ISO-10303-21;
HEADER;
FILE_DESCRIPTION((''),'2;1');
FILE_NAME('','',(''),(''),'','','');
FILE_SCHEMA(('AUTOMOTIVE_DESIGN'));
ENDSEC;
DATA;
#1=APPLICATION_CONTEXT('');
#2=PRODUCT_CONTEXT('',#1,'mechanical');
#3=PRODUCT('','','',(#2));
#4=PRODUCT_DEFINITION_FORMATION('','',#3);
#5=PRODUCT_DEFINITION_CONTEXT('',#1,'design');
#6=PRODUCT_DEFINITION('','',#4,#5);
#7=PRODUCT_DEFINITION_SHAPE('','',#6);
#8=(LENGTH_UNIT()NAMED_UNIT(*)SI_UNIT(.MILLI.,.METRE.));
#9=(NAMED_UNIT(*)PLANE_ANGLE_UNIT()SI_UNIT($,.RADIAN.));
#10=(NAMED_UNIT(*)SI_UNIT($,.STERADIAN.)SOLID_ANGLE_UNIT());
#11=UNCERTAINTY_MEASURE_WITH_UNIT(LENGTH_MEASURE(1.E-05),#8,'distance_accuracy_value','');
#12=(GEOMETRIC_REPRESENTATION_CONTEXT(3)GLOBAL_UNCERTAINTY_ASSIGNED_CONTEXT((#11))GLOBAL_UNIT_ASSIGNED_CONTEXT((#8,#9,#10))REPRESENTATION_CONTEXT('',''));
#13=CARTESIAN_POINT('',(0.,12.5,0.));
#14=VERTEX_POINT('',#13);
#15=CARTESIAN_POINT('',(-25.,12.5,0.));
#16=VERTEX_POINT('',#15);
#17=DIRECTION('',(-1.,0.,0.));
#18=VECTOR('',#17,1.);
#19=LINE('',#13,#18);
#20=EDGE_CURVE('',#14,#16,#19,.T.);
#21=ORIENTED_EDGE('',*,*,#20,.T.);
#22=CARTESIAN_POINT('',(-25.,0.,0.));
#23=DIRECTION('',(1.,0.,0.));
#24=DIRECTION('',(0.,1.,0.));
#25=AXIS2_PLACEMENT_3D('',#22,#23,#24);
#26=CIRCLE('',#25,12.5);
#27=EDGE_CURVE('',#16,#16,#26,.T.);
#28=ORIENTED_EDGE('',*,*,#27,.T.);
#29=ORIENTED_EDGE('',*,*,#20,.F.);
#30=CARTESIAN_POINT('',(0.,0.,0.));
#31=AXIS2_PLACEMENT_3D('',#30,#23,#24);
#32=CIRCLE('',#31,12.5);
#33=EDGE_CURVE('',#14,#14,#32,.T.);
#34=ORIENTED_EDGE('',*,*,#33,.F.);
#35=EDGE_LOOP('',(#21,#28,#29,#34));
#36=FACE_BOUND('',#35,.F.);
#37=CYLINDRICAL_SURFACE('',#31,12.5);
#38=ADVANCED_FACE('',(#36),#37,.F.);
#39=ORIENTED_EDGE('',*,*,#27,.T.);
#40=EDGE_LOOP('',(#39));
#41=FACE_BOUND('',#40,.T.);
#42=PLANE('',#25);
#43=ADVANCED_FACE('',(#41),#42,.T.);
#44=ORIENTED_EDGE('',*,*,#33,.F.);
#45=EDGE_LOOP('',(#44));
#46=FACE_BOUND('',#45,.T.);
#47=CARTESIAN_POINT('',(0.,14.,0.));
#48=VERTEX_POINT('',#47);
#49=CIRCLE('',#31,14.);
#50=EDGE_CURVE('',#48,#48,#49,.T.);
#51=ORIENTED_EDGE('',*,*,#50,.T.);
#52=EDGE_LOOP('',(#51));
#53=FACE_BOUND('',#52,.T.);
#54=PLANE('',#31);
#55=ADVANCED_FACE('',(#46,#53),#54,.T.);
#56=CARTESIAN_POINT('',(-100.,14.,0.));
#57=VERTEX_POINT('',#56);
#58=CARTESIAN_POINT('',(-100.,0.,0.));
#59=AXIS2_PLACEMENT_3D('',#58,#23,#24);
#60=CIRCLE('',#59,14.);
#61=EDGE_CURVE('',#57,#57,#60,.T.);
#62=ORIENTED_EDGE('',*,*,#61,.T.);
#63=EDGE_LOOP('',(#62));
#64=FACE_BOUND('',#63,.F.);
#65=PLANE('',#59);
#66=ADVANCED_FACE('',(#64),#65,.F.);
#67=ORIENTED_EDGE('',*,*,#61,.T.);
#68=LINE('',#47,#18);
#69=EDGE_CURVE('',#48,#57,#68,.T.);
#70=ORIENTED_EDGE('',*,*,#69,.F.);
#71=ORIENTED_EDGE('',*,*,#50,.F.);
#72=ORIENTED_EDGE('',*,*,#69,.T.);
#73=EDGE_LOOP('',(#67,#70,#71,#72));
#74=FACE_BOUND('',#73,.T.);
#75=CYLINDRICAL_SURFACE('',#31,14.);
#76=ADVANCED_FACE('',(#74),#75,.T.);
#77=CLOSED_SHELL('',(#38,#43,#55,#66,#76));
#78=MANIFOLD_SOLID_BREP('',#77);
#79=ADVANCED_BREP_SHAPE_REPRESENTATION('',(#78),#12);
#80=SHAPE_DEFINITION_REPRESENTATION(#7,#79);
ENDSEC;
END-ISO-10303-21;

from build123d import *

# Parameters (mm, degrees)
F0_R     = 14
F1_DEPTH = 100
F2_R     = 12.5
F3_DEPTH = 25


with BuildPart() as f1:
    # F0 (on Right) → F1 (new body)
    with BuildSketch(Plane.YZ):
        Circle(F0_R)
    extrude(amount=-F1_DEPTH)

    # F2 (on Right) → F3 (cut)
    with BuildSketch(Plane.YZ):
        Circle(F2_R)
    extrude(amount=-F3_DEPTH, mode=Mode.SUBTRACT)


solid = f1.part
